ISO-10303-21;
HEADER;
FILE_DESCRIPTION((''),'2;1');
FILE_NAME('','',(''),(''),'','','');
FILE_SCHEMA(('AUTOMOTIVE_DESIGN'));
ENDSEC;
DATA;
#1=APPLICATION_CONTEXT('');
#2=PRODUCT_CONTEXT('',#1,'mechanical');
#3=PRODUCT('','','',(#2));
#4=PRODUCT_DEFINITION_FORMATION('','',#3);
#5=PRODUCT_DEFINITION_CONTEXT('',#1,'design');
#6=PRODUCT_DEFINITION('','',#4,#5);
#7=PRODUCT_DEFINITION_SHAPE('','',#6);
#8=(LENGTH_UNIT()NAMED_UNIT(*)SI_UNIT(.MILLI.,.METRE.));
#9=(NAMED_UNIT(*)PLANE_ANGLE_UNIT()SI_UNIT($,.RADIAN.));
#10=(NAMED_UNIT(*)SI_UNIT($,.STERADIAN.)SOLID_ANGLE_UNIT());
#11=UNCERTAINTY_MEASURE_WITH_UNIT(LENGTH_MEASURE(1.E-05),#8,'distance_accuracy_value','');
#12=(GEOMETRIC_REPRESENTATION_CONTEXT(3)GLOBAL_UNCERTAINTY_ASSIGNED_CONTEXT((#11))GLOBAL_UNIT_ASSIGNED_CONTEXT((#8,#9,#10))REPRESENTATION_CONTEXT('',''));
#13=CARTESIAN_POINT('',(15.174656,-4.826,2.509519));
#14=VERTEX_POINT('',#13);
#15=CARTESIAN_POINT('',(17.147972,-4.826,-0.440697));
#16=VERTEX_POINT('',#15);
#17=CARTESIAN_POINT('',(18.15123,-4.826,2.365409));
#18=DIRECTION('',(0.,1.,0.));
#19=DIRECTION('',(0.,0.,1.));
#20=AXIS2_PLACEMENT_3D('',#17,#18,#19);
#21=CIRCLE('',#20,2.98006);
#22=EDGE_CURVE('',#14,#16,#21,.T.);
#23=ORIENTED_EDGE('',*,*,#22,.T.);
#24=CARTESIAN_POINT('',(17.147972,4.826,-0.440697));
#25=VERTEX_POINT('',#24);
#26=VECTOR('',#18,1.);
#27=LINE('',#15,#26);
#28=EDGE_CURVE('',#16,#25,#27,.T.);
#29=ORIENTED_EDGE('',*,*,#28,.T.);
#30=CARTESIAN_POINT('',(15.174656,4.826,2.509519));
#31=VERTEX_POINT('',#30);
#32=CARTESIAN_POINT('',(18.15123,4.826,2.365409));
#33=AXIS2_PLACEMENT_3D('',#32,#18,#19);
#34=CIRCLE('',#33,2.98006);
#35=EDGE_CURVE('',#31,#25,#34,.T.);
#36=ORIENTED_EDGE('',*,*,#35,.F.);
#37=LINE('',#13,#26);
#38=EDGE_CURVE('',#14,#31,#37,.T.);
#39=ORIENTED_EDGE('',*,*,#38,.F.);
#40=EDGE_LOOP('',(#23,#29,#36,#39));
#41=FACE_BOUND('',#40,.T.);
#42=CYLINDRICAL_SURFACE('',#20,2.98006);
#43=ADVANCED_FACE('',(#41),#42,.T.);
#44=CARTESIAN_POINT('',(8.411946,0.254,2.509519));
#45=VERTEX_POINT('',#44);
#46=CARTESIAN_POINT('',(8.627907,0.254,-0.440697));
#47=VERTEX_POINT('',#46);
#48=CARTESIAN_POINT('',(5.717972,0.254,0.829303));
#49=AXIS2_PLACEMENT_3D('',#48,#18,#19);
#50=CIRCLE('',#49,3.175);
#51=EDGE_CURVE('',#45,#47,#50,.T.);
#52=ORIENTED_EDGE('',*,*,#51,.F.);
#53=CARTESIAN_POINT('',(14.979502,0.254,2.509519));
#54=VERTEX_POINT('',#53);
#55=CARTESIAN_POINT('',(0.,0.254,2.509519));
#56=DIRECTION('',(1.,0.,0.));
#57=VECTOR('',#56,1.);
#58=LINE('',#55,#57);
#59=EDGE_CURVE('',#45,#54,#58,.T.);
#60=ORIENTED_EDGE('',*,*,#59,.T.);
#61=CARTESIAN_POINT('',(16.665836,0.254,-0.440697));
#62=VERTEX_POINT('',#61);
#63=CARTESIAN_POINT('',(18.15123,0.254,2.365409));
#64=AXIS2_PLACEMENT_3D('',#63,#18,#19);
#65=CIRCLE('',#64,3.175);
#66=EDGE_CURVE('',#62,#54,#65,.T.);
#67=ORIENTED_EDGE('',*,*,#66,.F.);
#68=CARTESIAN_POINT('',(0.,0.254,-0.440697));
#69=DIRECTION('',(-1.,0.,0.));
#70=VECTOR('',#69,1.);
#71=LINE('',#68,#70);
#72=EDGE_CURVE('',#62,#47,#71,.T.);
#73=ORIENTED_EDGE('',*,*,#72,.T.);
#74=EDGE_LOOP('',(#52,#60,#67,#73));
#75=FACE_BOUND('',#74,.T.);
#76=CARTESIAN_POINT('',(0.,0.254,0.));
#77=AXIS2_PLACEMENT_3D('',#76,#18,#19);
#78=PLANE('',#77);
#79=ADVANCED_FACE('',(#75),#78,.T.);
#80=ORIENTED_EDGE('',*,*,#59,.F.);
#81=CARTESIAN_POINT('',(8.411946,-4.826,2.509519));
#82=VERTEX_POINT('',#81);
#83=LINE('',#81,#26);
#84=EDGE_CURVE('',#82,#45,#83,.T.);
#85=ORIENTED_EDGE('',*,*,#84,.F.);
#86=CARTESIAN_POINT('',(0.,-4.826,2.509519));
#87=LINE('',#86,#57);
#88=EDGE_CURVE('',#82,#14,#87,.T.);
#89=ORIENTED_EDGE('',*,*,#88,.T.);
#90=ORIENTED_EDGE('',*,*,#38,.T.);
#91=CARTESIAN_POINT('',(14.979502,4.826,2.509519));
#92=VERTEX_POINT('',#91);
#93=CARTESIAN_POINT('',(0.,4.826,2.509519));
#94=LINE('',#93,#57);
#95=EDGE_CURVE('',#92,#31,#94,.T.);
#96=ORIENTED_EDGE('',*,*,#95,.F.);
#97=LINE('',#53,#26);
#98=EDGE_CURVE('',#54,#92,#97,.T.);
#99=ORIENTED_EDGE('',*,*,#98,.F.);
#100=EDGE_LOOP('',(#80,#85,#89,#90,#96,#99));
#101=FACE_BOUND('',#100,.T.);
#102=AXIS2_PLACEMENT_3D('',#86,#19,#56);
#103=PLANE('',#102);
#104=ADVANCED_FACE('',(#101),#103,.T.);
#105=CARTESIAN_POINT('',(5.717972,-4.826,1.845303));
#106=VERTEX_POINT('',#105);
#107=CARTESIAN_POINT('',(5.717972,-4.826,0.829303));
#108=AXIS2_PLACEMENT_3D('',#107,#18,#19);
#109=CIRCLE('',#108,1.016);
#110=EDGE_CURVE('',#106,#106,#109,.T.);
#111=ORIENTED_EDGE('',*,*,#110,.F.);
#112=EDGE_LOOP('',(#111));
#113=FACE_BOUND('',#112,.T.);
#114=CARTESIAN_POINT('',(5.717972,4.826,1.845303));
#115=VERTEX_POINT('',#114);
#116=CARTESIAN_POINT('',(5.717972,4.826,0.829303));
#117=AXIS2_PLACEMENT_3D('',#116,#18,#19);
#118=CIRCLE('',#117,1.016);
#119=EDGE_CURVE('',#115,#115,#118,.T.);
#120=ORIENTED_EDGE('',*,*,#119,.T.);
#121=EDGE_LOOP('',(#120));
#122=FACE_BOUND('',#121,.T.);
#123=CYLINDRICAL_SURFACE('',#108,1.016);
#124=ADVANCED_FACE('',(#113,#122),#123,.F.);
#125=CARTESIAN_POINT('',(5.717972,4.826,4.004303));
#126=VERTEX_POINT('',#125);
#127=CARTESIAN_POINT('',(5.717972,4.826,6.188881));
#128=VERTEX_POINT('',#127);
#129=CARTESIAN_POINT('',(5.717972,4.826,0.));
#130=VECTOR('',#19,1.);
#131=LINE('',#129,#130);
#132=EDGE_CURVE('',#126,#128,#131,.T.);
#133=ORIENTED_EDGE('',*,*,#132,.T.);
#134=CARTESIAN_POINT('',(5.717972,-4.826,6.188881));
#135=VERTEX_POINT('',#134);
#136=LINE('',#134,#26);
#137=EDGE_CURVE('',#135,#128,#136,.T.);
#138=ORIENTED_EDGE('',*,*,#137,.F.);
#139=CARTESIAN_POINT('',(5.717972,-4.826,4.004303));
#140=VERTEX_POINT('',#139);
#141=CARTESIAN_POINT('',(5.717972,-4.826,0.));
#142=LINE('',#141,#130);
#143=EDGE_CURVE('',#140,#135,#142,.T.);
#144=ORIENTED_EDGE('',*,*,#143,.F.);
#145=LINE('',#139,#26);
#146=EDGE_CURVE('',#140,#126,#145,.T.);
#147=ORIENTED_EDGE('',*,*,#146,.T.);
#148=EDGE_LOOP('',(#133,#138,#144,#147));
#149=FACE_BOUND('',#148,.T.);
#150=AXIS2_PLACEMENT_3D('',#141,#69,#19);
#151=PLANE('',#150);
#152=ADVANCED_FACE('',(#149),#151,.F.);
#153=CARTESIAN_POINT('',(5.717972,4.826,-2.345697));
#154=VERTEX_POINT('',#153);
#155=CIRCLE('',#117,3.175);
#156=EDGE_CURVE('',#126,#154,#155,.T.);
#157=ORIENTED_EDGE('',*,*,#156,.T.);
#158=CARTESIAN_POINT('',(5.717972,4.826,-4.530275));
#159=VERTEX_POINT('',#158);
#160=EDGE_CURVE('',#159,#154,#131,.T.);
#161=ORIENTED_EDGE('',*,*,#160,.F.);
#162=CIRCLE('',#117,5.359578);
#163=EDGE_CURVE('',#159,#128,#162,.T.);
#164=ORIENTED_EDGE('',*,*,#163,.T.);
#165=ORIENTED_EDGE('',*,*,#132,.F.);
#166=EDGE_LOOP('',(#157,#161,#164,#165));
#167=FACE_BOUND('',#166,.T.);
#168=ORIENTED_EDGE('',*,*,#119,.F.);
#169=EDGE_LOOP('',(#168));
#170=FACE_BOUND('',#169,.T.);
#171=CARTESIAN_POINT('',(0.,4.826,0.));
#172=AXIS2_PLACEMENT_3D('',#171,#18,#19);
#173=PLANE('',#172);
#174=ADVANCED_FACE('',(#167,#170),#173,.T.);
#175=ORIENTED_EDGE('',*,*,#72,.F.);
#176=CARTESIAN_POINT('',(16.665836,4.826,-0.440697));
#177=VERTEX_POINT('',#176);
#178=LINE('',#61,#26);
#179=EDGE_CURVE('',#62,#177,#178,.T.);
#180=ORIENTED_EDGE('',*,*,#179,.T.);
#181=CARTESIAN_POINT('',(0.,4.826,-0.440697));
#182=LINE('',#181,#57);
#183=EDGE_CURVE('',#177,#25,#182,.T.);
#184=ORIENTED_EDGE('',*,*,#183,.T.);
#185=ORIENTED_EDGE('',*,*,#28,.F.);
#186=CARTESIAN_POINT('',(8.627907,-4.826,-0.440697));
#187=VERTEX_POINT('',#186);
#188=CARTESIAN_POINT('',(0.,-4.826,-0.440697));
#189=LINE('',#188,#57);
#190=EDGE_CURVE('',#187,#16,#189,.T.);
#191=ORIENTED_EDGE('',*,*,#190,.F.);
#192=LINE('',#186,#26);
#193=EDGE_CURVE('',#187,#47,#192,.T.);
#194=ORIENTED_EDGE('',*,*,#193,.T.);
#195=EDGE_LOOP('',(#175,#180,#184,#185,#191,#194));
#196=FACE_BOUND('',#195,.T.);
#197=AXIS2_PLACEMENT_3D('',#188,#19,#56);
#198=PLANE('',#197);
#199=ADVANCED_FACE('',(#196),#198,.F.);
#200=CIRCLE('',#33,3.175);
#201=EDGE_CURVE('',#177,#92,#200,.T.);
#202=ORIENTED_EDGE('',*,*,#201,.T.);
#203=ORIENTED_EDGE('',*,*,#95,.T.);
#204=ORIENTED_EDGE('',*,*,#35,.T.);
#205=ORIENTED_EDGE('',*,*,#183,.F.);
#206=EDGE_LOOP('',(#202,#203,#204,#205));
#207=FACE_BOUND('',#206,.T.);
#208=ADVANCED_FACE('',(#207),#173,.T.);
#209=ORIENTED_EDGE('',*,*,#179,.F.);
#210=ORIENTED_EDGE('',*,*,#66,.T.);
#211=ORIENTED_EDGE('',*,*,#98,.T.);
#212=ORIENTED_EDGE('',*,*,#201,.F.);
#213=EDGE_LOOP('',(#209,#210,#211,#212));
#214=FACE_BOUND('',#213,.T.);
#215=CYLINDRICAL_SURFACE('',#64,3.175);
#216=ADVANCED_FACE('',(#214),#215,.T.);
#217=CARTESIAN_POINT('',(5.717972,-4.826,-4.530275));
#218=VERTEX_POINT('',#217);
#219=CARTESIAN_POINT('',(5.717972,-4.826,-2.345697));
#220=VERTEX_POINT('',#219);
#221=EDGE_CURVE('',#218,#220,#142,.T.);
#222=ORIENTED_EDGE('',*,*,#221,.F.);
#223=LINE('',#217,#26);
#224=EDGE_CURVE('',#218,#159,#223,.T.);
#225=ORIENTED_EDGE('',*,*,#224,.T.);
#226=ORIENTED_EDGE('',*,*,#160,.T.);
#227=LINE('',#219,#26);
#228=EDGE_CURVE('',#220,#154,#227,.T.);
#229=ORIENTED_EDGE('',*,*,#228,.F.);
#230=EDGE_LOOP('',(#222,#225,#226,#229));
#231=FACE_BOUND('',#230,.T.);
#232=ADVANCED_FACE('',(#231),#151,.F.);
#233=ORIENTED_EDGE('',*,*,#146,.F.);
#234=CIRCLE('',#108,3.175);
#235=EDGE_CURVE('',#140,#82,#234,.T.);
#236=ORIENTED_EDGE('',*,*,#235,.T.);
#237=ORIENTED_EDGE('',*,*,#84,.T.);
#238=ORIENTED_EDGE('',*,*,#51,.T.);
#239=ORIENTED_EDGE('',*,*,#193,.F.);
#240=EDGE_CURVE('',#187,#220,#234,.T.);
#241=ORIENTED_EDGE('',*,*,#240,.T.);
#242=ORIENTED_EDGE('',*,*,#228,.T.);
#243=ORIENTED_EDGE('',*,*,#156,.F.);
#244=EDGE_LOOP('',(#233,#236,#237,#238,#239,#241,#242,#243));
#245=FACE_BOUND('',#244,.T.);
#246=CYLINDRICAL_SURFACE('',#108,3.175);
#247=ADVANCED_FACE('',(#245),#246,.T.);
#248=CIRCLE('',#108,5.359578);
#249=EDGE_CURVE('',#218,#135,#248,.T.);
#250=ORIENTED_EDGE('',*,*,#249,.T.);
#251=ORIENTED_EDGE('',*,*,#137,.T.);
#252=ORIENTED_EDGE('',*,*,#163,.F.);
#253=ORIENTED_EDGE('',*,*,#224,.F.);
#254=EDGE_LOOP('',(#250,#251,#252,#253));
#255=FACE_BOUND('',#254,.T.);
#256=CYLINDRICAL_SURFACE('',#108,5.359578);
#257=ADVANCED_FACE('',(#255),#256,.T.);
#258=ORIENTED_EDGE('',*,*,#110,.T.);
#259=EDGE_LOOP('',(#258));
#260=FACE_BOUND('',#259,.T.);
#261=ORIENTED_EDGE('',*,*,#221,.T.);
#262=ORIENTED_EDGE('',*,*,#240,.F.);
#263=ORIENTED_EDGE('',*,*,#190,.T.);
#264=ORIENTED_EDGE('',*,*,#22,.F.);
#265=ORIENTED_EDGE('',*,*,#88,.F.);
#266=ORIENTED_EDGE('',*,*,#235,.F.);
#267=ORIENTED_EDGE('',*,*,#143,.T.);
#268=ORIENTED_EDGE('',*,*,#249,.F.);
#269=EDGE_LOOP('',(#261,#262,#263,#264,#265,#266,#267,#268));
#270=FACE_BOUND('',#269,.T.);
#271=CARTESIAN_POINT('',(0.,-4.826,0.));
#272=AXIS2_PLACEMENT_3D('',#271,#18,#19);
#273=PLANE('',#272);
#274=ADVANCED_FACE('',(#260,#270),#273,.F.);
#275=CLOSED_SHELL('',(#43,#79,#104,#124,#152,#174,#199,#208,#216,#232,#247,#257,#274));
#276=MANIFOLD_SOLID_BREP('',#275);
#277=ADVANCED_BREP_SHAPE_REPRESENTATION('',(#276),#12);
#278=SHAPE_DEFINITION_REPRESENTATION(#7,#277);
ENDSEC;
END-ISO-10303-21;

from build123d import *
from build123d.topology import SkipClean

# Parameters (mm, degrees)
BOSS_EXTRUDE3_DEPTH      = 4.826
BOSS_EXTRUDE3_DEPTH_BACK = 4.826
SKETCH1_R                = 1.016
CUT_EXTRUDE1_START       = -4.572
CUT_EXTRUDE1_DEPTH       = 4.572


with BuildPart() as part:
    # Sketch1 → Boss-Extrude3 (new, two sides: drawn at the far end of the back side and taken through both)
    with BuildSketch(Plane(origin=(0, 0, 0), x_dir=(1, 0, 0), z_dir=(0, 1, 0)).offset(-BOSS_EXTRUDE3_DEPTH_BACK)):
        with BuildLine():
            Line((5.7179716, 2.345697152), (5.7179716, 4.530275324))
            ThreePointArc((5.7179716, 4.530275324), (0.358393428, -0.829302848), (5.7179716, -6.18888102))
            Line((5.7179716, -6.18888102), (5.7179716, -4.004302848))
            ThreePointArc((5.7179716, -4.004302848), (7.258416359, -3.605569216), (8.411946387, -2.509518561))
            Line((8.411946387, -2.509518561), (15.174656113, -2.509518561))
            ThreePointArc((15.174656113, -2.509518561), (20.628265967, -4.022228083), (17.1479716, 0.440697152))
            Line((17.1479716, 0.440697152), (8.627907166, 0.440697152))
            ThreePointArc((8.627907166, 0.440697152), (7.45699072, 1.827092736), (5.7179716, 2.345697152))
        make_face()
        with Locations((5.7179716, -0.829302848)):
            Circle(SKETCH1_R, mode=Mode.SUBTRACT)
    extrude(amount=BOSS_EXTRUDE3_DEPTH + BOSS_EXTRUDE3_DEPTH_BACK)

    # Sketch4 → Cut-Extrude1 (cut)
    with SkipClean():  # the faces are left unmerged after this step: merging them gives an invalid solid
        with BuildSketch(Plane(origin=(0, 4.826, 0), x_dir=(1, 0, 0), z_dir=(0, 1, 0)).offset(CUT_EXTRUDE1_START)):
            with BuildLine():
                ThreePointArc((8.8929716, -0.829302848), (8.77034731, -1.703160688), (8.411946387, -2.509518561))
                Line((8.411946387, -2.509518561), (14.979501919, -2.509518561))
                ThreePointArc((14.979501919, -2.509518561), (15.394757752, -0.789817872), (16.665836289, 0.440697152))
                Line((16.665836289, 0.440697152), (8.627907166, 0.440697152))
                ThreePointArc((8.627907166, 0.440697152), (8.825999143, -0.180619729), (8.8929716, -0.829302848))
            make_face()
        extrude(amount=CUT_EXTRUDE1_DEPTH, mode=Mode.SUBTRACT)


solid = part.part
